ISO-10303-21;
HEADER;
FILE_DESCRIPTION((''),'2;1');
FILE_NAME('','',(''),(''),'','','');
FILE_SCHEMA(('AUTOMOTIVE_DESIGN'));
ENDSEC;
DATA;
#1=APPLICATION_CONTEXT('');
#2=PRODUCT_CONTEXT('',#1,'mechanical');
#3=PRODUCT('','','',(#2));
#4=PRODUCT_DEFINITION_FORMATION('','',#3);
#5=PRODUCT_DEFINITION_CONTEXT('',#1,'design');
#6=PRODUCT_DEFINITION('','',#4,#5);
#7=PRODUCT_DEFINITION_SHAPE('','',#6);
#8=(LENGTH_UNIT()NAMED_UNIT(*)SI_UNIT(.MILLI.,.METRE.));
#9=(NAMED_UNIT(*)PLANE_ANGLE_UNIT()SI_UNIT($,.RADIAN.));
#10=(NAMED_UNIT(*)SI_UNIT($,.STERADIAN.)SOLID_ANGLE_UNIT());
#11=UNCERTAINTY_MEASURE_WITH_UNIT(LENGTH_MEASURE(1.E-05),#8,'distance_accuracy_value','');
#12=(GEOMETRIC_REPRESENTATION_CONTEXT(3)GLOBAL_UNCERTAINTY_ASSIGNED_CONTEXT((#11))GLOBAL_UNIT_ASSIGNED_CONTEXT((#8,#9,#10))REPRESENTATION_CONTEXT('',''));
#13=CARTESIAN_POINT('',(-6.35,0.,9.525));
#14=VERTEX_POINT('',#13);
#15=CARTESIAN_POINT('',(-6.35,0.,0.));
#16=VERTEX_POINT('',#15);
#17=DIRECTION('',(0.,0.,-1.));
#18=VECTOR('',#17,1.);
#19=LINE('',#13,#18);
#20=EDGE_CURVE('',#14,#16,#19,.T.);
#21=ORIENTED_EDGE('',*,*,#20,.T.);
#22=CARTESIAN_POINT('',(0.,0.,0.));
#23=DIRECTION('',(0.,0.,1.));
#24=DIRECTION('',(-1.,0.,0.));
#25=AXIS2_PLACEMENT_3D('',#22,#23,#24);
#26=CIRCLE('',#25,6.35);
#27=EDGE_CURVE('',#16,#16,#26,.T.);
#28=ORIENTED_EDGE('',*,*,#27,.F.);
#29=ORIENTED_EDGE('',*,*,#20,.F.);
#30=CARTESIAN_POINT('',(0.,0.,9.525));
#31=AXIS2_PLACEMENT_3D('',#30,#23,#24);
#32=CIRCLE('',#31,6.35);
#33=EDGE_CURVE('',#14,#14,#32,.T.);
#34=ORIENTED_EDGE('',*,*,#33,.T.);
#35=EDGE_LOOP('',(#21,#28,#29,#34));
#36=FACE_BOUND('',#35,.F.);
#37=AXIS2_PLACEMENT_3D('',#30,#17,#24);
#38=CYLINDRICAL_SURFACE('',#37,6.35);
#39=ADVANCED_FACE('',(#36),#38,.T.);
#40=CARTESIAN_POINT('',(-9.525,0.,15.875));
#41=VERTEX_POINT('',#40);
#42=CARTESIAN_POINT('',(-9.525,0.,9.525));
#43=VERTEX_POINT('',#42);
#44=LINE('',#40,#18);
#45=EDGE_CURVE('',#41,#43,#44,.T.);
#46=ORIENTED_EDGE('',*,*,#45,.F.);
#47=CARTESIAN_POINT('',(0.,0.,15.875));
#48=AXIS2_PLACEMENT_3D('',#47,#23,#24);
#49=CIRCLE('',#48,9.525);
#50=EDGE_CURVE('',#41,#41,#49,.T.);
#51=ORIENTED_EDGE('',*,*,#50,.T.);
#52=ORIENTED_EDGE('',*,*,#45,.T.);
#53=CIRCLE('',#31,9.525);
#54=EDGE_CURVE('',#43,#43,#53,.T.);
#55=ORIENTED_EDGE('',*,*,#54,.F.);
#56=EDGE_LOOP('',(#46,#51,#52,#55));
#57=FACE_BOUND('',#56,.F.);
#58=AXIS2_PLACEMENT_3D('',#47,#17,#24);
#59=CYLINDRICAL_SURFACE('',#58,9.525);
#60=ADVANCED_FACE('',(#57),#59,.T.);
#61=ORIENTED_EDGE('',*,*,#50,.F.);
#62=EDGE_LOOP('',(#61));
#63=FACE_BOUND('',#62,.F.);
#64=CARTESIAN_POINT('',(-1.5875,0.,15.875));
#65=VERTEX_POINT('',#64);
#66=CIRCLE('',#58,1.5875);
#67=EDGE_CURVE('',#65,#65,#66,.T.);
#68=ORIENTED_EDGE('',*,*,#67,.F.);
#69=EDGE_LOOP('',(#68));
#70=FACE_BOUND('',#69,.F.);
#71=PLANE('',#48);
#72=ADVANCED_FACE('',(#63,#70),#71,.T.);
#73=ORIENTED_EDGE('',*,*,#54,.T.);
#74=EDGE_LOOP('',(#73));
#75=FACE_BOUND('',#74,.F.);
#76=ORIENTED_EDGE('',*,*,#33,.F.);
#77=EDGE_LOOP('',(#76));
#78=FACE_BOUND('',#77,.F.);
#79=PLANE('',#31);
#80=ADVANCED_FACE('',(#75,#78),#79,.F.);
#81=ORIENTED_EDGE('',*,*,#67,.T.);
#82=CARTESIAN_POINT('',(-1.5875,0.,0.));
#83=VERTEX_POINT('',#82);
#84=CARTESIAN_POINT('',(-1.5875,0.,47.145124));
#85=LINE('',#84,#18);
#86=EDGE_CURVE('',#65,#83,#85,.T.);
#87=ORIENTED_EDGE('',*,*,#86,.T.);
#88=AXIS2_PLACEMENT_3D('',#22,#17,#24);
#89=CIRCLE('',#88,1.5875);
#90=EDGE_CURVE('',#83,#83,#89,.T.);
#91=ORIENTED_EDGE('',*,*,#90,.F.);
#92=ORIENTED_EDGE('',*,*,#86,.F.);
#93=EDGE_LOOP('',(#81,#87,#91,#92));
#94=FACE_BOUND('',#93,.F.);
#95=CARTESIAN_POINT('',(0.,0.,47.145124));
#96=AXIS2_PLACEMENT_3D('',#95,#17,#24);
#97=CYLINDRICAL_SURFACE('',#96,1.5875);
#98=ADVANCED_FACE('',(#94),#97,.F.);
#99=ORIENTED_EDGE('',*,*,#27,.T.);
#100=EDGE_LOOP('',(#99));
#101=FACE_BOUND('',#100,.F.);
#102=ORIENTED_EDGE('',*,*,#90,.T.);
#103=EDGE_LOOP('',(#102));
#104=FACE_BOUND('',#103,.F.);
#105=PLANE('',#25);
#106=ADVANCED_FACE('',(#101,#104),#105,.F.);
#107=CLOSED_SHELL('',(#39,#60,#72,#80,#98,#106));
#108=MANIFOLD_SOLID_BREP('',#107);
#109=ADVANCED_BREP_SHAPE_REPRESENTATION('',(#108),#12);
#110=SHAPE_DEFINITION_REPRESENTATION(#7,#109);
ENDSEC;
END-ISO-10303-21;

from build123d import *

# Parameters (mm, degrees)
F3_D = 3.175


with BuildPart() as f1:
    # F0 (on Front) → F1 (revolve)
    with BuildSketch(Plane.XZ):
        Polygon((-6.35, 0), (0, 0), (0, 15.875), (-9.525, 15.875), (-9.525, 9.525), (-6.35, 9.525), align=None)
    revolve(axis=Axis((0, 0, 7.9375), (0, 0, 1)))

    # F3 (through all)
    with Locations(Plane.XY.offset(15.875)):
        with Locations((0, 0)):
            Hole(F3_D / 2)


solid = f1.part
